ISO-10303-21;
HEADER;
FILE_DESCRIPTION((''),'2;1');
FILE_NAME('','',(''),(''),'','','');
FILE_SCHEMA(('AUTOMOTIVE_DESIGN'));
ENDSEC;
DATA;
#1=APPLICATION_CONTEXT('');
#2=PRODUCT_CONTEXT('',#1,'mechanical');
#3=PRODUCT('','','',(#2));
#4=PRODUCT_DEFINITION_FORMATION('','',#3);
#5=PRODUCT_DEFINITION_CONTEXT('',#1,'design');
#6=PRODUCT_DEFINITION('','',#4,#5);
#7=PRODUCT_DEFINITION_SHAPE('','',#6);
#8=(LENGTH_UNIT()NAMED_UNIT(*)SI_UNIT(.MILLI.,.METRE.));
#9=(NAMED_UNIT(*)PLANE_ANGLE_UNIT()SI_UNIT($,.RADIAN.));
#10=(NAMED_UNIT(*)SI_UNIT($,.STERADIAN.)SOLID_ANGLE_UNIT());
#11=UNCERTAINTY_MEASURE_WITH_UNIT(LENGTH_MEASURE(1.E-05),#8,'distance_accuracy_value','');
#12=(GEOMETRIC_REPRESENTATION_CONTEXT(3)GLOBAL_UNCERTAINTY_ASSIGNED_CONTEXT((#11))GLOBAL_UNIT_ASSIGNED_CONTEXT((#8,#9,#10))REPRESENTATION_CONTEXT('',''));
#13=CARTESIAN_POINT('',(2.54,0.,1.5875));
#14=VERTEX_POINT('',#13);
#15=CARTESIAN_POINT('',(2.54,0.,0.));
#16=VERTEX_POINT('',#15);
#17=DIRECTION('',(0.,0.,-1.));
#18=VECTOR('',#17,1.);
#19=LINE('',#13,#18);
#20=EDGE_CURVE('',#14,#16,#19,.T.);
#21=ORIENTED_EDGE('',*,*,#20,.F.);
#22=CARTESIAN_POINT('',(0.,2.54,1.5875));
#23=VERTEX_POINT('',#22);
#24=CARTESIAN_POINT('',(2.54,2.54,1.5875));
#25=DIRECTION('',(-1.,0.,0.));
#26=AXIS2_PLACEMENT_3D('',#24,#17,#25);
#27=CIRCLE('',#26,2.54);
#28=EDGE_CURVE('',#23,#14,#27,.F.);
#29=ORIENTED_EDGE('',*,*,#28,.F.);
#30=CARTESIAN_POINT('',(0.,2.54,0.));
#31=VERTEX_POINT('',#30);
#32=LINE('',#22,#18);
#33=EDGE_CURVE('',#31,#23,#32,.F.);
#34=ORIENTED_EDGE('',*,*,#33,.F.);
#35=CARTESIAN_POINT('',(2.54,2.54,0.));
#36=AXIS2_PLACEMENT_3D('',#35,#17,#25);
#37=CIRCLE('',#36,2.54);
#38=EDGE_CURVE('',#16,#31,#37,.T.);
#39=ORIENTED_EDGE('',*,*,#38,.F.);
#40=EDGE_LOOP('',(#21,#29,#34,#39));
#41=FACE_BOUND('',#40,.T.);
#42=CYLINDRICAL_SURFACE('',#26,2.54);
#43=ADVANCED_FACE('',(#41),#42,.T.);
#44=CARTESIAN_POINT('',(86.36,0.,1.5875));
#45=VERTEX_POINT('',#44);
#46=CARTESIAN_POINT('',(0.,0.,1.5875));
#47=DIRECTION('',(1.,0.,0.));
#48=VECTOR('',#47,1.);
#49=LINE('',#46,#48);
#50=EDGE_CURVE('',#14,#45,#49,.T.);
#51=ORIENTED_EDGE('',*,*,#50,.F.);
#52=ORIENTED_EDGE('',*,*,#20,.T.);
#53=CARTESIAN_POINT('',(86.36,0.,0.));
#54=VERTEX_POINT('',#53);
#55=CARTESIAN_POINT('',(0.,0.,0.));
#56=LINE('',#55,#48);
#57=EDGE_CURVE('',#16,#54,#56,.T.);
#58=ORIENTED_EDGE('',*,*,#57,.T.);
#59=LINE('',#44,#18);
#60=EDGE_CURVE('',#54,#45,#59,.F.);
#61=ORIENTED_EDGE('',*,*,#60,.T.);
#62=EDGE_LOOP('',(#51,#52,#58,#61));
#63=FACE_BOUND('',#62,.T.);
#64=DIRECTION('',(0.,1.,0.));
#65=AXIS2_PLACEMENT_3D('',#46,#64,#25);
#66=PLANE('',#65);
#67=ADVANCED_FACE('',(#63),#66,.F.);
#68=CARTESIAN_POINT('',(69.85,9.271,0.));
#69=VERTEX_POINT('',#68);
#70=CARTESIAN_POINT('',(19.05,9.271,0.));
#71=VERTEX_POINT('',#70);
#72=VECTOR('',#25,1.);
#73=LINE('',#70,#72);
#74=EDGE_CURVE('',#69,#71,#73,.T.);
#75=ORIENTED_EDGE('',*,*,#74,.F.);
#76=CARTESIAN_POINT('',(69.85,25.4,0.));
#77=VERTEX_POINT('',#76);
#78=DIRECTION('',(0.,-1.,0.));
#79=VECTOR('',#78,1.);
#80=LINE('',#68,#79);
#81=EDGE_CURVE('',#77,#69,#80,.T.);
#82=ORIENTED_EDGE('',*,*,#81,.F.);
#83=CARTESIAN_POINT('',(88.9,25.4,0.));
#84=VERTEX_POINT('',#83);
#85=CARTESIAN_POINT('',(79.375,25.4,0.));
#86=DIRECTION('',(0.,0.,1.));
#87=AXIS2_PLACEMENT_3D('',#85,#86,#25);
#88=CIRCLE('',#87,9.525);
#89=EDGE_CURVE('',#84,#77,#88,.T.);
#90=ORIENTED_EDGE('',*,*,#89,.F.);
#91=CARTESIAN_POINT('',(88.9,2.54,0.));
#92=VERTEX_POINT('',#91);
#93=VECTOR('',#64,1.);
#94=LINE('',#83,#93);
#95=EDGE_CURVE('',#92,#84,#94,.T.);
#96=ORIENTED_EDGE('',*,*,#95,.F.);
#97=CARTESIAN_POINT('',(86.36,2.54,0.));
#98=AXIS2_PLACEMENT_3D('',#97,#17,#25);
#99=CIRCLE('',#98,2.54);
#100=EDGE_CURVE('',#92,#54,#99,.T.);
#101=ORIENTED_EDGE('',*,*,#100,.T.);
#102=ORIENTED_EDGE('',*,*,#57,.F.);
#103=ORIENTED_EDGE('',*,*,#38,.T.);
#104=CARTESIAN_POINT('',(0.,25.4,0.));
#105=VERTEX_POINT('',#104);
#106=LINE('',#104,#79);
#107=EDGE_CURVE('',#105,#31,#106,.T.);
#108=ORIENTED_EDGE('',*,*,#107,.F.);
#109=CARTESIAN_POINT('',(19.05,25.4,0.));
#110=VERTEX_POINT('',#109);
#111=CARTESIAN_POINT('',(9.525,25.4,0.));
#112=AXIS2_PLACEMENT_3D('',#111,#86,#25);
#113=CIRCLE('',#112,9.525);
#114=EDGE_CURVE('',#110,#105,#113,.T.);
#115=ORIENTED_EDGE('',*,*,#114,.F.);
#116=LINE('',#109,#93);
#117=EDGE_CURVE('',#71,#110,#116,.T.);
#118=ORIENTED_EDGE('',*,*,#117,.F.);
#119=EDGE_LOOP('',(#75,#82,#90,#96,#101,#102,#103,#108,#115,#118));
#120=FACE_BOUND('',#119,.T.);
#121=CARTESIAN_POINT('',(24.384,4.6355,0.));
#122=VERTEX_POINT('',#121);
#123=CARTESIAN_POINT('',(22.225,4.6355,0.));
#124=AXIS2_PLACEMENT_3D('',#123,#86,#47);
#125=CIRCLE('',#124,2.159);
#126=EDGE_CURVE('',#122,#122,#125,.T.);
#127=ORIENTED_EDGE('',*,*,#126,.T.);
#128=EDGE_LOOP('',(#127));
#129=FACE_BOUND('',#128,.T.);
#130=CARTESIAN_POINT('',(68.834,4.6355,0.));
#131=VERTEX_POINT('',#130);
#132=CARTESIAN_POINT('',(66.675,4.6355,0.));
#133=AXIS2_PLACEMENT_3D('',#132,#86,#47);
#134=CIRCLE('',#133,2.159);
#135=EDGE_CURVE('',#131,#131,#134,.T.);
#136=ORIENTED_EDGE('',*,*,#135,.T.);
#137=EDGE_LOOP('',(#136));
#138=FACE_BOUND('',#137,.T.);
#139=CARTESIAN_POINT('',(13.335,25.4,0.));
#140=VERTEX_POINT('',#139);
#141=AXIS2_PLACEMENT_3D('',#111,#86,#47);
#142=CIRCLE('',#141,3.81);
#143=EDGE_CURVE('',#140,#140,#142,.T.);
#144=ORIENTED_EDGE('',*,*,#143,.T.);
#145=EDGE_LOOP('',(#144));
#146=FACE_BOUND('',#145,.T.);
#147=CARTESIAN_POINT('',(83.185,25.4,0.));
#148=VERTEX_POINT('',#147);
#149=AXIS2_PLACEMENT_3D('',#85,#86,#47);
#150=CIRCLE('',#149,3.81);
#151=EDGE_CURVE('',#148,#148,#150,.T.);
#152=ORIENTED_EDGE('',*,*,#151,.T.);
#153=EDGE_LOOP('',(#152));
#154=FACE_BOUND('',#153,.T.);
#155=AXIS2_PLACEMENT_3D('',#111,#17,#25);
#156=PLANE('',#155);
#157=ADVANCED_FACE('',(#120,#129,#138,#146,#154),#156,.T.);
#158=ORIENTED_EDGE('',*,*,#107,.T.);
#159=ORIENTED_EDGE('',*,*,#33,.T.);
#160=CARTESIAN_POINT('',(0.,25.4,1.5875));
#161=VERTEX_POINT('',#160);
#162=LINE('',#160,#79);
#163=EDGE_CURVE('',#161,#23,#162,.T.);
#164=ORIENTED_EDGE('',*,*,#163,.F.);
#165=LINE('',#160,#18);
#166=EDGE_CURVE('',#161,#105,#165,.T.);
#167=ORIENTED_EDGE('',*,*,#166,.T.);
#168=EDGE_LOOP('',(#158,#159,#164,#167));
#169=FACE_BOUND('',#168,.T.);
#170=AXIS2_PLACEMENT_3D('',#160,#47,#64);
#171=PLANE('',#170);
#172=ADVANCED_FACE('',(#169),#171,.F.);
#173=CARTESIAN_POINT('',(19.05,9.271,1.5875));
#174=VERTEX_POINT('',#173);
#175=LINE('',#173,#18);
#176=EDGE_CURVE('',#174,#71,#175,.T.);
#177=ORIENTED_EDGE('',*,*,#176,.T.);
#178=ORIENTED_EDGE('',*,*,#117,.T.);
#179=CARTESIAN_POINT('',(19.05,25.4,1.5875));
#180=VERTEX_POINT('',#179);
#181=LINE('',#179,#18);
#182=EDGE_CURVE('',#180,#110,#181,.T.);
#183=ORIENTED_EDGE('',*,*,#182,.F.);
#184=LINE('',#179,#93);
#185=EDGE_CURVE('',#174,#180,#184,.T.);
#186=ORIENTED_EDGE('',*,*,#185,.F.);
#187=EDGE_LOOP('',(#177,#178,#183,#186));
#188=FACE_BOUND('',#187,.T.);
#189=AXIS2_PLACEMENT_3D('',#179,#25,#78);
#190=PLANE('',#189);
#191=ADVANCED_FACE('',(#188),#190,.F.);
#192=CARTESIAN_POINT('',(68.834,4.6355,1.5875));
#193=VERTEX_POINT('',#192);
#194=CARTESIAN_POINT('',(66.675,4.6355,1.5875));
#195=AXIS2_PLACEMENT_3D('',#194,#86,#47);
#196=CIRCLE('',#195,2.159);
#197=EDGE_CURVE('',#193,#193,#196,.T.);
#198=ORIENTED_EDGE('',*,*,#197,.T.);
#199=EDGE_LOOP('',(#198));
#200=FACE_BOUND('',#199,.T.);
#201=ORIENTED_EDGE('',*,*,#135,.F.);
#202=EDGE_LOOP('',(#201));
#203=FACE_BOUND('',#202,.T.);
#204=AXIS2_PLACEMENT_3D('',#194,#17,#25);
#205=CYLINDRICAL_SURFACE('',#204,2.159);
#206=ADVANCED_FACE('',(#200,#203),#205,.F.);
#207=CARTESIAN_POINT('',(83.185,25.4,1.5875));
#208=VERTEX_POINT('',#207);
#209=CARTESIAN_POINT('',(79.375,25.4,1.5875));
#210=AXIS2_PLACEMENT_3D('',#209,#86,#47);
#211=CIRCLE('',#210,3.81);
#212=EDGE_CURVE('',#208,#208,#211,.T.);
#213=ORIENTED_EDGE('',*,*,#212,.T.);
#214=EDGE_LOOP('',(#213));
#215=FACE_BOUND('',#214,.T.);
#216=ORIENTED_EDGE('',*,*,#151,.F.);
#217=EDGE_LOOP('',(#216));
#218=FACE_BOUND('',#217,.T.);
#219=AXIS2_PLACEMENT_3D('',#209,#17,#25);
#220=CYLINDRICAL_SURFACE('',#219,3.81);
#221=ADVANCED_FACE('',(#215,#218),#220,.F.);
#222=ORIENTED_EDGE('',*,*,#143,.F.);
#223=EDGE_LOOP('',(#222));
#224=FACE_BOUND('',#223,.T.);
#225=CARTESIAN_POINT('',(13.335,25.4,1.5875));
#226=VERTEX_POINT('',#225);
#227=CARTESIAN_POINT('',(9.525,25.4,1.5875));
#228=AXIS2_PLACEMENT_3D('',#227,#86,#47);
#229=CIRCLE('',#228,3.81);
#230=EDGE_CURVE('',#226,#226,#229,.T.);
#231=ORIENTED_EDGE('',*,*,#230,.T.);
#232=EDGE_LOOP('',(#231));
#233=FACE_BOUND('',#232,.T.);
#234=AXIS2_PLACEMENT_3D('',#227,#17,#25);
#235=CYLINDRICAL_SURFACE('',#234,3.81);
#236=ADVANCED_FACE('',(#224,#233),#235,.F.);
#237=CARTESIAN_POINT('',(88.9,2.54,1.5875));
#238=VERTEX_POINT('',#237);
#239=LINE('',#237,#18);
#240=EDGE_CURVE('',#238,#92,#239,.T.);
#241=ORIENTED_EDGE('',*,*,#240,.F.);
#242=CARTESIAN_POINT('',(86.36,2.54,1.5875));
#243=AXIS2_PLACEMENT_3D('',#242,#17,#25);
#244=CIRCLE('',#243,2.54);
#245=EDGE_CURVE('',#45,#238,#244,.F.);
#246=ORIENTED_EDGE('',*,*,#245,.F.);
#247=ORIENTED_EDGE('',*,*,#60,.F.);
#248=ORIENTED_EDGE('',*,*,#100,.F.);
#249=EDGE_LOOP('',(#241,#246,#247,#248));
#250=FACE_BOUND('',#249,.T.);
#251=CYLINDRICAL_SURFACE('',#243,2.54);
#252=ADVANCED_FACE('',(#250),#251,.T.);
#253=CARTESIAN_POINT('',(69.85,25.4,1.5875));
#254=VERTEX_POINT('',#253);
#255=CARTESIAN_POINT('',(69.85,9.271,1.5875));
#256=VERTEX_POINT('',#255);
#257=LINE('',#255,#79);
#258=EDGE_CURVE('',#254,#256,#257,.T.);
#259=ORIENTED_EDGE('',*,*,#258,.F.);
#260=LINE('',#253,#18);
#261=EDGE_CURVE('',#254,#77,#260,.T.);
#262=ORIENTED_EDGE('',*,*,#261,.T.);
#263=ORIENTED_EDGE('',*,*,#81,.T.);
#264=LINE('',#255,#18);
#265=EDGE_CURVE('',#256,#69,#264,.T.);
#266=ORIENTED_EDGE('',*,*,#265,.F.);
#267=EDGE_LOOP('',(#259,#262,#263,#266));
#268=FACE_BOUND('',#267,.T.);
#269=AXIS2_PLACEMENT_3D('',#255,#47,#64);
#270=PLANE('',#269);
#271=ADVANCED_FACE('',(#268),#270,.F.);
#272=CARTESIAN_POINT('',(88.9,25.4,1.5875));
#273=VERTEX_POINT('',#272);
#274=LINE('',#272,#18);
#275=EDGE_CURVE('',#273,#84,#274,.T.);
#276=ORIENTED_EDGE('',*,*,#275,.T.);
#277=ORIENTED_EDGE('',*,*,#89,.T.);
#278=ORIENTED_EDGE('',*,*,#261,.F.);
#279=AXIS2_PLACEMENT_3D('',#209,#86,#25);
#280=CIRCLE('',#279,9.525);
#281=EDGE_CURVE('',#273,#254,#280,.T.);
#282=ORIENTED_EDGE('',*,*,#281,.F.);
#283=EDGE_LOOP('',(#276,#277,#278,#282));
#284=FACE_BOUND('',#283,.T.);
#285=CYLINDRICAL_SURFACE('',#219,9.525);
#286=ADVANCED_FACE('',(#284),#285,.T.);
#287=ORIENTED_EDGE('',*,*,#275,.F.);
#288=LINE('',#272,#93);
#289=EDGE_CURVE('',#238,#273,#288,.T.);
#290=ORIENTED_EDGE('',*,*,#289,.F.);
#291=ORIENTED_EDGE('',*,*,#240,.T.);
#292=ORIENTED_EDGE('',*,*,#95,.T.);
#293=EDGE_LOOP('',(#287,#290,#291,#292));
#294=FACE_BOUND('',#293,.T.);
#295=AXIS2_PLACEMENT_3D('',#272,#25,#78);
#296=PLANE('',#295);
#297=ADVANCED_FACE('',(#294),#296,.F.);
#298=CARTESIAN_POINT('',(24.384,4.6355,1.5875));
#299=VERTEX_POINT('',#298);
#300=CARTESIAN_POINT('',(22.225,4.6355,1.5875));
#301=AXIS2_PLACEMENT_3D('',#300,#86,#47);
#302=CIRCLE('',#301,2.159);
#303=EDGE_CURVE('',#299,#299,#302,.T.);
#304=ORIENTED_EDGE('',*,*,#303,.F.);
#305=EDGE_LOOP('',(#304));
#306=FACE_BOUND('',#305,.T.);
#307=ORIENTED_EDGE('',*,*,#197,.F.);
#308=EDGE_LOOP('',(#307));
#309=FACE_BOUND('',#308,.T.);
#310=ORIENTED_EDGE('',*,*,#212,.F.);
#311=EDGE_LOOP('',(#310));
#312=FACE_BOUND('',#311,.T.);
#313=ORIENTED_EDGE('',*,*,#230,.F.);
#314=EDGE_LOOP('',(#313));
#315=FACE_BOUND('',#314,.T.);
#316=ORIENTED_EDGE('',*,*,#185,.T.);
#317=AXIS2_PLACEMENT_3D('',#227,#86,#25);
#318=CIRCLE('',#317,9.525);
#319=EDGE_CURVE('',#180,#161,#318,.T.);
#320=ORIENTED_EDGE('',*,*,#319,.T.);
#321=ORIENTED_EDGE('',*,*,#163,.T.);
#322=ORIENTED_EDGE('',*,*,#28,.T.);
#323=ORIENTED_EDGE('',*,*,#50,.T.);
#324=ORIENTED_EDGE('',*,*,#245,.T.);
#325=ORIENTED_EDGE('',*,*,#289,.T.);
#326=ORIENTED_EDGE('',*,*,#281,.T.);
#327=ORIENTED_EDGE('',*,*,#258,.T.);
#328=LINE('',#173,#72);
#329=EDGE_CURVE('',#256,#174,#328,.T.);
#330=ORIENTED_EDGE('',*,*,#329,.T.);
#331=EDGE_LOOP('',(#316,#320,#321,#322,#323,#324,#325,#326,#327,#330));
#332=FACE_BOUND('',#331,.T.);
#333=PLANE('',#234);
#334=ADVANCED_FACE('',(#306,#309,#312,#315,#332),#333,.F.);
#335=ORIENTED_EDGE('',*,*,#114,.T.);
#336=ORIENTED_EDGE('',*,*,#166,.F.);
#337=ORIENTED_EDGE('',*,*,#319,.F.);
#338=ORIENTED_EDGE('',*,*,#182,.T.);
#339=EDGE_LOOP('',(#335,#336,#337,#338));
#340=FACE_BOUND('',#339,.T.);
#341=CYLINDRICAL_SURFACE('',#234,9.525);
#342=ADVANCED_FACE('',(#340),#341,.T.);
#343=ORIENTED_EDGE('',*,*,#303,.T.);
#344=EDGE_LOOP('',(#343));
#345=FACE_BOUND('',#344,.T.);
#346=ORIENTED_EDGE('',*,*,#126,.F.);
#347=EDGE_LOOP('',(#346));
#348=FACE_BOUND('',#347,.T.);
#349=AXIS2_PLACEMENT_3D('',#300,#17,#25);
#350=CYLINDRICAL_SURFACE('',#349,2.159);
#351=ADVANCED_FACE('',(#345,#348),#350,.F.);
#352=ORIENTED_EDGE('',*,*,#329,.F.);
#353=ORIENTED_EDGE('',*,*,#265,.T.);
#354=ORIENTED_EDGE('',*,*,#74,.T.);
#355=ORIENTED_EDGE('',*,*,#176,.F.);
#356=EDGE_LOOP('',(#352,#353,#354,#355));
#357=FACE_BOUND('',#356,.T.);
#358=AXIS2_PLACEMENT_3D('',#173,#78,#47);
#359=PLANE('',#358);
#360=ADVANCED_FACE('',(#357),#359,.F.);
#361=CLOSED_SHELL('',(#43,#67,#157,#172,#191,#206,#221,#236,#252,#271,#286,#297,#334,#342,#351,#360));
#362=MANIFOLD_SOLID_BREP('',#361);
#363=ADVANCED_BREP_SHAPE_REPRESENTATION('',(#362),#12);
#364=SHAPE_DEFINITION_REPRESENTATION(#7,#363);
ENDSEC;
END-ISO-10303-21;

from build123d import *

# Parameters (mm, degrees)
SKETCH1_R           = 2.159
SKETCH1_R_2         = 3.81
BOSS_EXTRUDE1_DEPTH = 1.5875
FILLET1_R           = 2.54


with BuildPart() as part:
    # Sketch1 → Boss-Extrude1 (new body)
    with BuildSketch(Plane.XY):
        with BuildLine():
            Line((0, 25.4), (0, 0))
            Line((0, 0), (88.9, 0))
            Line((88.9, 0), (88.9, 25.4))
            ThreePointArc((88.9, 25.4), (79.375, 34.925), (69.85, 25.4))
            Line((69.85, 25.4), (69.85, 9.271))
            Line((69.85, 9.271), (19.05, 9.271))
            Line((19.05, 9.271), (19.05, 25.4))
            ThreePointArc((19.05, 25.4), (9.525, 34.925), (0, 25.4))
        make_face()
        with Locations((22.225, 4.6355)):
            Circle(SKETCH1_R, mode=Mode.SUBTRACT)
        with Locations((66.675, 4.6355)):
            Circle(SKETCH1_R, mode=Mode.SUBTRACT)
        with Locations((9.525, 25.4)):
            Circle(SKETCH1_R_2, mode=Mode.SUBTRACT)
        with Locations((79.375, 25.4)):
            Circle(SKETCH1_R_2, mode=Mode.SUBTRACT)
    extrude(amount=BOSS_EXTRUDE1_DEPTH)

    # Fillet1
    fillet1_edges = [part.edges().sort_by_distance(p)[0] for p in [
        (88.9, 0, 0.79375),
        (0, 0, 0.79375),
    ]]
    fillet(fillet1_edges, radius=FILLET1_R)


solid = part.part
